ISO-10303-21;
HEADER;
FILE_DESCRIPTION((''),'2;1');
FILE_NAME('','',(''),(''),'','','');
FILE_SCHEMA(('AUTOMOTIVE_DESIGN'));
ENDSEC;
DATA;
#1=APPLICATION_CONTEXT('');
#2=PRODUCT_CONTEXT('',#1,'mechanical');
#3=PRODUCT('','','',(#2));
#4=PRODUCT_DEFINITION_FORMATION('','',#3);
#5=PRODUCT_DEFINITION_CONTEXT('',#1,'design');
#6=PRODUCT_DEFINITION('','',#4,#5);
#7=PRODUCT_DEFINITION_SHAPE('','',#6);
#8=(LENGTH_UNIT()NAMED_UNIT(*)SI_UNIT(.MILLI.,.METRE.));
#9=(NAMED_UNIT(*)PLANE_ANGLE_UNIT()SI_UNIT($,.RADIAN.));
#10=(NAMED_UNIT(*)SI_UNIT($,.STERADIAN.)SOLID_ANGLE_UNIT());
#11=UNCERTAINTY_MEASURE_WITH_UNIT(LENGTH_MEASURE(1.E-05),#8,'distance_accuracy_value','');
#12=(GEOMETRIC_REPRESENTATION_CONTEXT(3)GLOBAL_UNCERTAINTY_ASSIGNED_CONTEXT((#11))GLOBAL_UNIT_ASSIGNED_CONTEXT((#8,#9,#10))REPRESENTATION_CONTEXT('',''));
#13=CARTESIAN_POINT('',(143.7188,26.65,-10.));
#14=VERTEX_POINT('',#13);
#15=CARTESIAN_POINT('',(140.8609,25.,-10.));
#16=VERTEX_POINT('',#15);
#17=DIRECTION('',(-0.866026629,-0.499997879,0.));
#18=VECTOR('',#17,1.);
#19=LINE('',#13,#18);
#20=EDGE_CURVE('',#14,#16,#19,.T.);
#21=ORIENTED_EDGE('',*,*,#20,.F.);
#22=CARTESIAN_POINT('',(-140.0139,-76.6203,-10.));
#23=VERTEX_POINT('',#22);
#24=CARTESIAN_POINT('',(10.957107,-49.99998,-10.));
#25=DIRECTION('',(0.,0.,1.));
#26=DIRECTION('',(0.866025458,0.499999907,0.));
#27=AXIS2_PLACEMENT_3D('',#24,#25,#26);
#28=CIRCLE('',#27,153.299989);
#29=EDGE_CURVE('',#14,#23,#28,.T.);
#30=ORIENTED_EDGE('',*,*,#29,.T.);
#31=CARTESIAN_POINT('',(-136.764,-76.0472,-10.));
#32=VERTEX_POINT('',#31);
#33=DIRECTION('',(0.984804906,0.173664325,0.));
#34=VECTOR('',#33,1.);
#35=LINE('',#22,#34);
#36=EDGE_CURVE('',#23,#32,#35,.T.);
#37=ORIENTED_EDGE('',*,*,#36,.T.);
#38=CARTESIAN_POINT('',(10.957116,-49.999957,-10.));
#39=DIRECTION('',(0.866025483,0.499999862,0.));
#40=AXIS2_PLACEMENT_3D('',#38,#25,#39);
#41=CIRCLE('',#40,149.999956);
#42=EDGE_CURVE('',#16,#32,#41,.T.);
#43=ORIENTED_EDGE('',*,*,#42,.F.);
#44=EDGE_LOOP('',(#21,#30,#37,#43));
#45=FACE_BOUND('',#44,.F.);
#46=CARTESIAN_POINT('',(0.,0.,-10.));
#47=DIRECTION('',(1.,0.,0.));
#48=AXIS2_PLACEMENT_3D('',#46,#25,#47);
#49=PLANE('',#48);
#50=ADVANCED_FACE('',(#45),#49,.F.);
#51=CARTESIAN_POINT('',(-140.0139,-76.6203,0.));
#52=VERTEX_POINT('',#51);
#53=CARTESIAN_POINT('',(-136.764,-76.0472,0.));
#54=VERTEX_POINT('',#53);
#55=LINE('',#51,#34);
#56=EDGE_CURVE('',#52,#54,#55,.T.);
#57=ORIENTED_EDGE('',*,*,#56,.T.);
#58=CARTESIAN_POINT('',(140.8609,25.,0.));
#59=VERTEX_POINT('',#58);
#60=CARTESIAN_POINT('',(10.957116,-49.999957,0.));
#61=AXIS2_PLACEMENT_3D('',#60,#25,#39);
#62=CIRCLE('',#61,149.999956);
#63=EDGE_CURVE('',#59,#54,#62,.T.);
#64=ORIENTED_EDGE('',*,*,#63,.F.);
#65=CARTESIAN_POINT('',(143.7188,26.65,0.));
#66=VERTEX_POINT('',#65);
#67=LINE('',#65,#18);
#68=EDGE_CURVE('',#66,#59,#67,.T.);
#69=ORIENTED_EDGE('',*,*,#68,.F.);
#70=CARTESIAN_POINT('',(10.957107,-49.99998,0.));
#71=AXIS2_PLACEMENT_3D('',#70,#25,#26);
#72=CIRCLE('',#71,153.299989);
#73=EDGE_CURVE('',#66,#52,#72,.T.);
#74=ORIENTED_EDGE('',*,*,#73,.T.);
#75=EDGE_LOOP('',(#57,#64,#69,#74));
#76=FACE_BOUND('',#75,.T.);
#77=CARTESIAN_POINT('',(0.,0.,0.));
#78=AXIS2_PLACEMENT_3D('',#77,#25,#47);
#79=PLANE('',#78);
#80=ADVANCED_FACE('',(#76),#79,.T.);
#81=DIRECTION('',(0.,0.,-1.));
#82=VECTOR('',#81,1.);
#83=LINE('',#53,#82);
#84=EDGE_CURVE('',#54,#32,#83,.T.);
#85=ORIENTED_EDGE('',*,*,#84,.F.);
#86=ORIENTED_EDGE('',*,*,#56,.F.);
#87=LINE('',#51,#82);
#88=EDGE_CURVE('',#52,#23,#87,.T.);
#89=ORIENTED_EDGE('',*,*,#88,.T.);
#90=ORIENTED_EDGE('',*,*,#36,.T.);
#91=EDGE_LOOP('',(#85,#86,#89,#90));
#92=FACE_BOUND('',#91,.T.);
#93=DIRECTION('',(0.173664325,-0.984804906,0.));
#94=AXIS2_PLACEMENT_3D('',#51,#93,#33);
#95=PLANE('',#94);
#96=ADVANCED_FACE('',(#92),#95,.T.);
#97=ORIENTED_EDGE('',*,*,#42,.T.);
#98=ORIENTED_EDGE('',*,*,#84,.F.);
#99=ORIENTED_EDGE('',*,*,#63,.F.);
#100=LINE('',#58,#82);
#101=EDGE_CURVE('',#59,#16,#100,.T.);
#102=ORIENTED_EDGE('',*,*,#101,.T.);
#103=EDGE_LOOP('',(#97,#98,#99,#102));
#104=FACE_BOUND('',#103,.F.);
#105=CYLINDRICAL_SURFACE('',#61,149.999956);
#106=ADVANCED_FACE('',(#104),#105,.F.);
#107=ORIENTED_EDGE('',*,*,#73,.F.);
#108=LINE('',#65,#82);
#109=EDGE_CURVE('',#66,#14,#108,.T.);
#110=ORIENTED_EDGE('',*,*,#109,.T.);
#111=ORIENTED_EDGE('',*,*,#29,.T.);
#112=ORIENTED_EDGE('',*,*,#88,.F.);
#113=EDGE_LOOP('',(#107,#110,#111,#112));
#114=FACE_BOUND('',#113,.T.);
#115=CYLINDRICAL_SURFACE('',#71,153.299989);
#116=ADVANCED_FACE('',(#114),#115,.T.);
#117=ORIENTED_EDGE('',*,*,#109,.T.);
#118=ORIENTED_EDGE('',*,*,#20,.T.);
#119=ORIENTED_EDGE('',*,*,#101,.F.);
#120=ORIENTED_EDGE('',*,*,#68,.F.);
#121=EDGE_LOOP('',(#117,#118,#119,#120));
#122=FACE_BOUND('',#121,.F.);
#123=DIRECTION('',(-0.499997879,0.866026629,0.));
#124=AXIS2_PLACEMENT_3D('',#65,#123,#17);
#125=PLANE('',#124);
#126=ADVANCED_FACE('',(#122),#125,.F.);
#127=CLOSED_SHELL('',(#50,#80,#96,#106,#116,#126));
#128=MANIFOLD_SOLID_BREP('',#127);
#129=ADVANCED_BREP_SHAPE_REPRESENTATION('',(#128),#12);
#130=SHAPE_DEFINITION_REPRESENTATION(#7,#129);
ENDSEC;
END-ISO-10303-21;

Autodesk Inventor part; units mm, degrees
ref_plane "YZ Plane" through (0, 0, 0) normal (1, 0, 0) x (0, 1, 0)
ref_plane "XZ Plane" through (0, 0, 0) normal (0, 1, 0) x (-1, 0, 0)
ref_plane "XY Plane" through (0, 0, 0) normal (0, 0, 1) x (1, 0, 0)
ref_plane "作業平面1" through (0, 0, 0) normal (0, 0, 1) x (1, 0, 0)
sketch "スケッチ1" plane through (0, 0, 0) normal (0, 0, 1) x (1, 0, 0)
  arc A0 (140.8609, 25) -> (-136.764, -76.0472) centre (10.9571, -50) ccw projected
  arc A1 (143.7188, 26.65) -> (-140.0139, -76.6203) centre (10.9571, -50) ccw
  line L0 (143.7188, 26.65) -> (140.8609, 25)
  line L1 (-140.0139, -76.6203) -> (-136.764, -76.0472)
  point P0 (0, 0)
  dimension "d0" = 3.3
extrude "押し出し1" add sketch "スケッチ1" against normal blind 10
properties part number "FleLG" material "PVC、軟質"
